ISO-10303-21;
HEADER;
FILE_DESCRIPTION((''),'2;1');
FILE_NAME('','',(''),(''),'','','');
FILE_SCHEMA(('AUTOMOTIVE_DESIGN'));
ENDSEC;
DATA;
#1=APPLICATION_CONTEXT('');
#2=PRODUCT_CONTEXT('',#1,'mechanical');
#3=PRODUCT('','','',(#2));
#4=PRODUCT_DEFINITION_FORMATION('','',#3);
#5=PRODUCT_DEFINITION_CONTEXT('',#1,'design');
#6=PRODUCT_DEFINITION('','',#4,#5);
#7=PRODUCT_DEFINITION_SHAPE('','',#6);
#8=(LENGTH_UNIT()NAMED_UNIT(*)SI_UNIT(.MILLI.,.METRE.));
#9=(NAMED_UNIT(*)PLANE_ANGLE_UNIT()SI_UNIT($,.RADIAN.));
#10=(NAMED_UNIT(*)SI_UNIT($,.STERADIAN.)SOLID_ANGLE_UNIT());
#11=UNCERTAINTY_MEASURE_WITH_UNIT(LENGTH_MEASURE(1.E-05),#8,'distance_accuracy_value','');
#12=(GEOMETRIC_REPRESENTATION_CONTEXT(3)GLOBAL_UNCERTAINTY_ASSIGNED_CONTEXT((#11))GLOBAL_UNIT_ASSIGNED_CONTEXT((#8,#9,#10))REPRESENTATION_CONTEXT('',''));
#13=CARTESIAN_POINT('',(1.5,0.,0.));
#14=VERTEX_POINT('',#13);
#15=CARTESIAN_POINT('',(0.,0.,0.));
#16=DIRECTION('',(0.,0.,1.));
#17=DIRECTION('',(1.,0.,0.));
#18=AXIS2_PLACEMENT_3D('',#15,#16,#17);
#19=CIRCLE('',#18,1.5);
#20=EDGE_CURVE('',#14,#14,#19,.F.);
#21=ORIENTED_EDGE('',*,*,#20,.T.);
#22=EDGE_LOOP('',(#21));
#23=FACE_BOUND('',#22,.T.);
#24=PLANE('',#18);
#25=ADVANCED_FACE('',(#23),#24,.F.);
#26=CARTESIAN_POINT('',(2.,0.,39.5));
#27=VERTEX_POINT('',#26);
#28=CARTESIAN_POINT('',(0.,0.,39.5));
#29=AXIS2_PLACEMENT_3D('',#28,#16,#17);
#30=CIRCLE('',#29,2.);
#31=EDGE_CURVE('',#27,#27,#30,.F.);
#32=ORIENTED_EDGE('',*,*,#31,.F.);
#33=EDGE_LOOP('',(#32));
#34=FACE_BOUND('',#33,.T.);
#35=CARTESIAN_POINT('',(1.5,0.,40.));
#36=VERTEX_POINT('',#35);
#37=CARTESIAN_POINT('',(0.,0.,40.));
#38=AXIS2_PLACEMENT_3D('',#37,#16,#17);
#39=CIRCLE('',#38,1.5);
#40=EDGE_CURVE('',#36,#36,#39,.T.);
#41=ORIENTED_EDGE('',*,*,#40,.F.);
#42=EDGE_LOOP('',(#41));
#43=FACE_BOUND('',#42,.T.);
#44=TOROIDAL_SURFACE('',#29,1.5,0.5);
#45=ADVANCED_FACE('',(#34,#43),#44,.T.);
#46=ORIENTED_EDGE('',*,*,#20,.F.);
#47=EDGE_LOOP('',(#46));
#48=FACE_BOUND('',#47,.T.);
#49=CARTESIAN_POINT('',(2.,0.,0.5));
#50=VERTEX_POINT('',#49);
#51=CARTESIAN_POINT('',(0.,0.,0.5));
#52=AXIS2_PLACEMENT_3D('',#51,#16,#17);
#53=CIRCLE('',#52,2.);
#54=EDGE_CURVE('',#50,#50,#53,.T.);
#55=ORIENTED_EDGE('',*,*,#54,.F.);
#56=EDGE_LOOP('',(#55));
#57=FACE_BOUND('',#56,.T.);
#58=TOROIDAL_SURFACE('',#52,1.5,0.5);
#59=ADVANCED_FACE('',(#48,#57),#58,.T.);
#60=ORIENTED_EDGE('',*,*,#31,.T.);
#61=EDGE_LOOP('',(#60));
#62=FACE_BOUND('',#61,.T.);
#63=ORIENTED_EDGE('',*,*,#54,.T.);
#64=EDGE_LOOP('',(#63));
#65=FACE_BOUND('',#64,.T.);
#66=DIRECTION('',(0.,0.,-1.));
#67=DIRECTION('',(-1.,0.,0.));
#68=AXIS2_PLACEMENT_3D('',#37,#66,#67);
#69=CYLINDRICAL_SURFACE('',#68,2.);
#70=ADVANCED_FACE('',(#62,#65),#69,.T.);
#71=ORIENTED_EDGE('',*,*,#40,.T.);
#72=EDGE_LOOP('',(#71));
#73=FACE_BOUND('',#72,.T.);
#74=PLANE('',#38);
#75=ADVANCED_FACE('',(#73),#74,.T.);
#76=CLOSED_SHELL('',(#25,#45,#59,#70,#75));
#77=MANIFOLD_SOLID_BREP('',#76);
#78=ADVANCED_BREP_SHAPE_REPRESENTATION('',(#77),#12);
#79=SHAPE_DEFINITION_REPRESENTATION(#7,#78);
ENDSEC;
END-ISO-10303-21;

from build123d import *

# Parameters (mm, degrees)
SKETCH_1_R      = 2
EXTRUDE_1_DEPTH = 40
FILLET_1_R      = 0.5


with BuildPart() as part:
    # 草图1 → 凸台-拉伸1 (new body)
    with BuildSketch(Plane.XY):
        Circle(SKETCH_1_R)
    extrude(amount=EXTRUDE_1_DEPTH)

    # 圆角1
    fillet_1_edges = [part.edges().sort_by_distance(p)[0] for p in [
        (-2, 0, 0),
        (-2, 0, 40),
    ]]
    fillet(fillet_1_edges, radius=FILLET_1_R)


solid = part.part
